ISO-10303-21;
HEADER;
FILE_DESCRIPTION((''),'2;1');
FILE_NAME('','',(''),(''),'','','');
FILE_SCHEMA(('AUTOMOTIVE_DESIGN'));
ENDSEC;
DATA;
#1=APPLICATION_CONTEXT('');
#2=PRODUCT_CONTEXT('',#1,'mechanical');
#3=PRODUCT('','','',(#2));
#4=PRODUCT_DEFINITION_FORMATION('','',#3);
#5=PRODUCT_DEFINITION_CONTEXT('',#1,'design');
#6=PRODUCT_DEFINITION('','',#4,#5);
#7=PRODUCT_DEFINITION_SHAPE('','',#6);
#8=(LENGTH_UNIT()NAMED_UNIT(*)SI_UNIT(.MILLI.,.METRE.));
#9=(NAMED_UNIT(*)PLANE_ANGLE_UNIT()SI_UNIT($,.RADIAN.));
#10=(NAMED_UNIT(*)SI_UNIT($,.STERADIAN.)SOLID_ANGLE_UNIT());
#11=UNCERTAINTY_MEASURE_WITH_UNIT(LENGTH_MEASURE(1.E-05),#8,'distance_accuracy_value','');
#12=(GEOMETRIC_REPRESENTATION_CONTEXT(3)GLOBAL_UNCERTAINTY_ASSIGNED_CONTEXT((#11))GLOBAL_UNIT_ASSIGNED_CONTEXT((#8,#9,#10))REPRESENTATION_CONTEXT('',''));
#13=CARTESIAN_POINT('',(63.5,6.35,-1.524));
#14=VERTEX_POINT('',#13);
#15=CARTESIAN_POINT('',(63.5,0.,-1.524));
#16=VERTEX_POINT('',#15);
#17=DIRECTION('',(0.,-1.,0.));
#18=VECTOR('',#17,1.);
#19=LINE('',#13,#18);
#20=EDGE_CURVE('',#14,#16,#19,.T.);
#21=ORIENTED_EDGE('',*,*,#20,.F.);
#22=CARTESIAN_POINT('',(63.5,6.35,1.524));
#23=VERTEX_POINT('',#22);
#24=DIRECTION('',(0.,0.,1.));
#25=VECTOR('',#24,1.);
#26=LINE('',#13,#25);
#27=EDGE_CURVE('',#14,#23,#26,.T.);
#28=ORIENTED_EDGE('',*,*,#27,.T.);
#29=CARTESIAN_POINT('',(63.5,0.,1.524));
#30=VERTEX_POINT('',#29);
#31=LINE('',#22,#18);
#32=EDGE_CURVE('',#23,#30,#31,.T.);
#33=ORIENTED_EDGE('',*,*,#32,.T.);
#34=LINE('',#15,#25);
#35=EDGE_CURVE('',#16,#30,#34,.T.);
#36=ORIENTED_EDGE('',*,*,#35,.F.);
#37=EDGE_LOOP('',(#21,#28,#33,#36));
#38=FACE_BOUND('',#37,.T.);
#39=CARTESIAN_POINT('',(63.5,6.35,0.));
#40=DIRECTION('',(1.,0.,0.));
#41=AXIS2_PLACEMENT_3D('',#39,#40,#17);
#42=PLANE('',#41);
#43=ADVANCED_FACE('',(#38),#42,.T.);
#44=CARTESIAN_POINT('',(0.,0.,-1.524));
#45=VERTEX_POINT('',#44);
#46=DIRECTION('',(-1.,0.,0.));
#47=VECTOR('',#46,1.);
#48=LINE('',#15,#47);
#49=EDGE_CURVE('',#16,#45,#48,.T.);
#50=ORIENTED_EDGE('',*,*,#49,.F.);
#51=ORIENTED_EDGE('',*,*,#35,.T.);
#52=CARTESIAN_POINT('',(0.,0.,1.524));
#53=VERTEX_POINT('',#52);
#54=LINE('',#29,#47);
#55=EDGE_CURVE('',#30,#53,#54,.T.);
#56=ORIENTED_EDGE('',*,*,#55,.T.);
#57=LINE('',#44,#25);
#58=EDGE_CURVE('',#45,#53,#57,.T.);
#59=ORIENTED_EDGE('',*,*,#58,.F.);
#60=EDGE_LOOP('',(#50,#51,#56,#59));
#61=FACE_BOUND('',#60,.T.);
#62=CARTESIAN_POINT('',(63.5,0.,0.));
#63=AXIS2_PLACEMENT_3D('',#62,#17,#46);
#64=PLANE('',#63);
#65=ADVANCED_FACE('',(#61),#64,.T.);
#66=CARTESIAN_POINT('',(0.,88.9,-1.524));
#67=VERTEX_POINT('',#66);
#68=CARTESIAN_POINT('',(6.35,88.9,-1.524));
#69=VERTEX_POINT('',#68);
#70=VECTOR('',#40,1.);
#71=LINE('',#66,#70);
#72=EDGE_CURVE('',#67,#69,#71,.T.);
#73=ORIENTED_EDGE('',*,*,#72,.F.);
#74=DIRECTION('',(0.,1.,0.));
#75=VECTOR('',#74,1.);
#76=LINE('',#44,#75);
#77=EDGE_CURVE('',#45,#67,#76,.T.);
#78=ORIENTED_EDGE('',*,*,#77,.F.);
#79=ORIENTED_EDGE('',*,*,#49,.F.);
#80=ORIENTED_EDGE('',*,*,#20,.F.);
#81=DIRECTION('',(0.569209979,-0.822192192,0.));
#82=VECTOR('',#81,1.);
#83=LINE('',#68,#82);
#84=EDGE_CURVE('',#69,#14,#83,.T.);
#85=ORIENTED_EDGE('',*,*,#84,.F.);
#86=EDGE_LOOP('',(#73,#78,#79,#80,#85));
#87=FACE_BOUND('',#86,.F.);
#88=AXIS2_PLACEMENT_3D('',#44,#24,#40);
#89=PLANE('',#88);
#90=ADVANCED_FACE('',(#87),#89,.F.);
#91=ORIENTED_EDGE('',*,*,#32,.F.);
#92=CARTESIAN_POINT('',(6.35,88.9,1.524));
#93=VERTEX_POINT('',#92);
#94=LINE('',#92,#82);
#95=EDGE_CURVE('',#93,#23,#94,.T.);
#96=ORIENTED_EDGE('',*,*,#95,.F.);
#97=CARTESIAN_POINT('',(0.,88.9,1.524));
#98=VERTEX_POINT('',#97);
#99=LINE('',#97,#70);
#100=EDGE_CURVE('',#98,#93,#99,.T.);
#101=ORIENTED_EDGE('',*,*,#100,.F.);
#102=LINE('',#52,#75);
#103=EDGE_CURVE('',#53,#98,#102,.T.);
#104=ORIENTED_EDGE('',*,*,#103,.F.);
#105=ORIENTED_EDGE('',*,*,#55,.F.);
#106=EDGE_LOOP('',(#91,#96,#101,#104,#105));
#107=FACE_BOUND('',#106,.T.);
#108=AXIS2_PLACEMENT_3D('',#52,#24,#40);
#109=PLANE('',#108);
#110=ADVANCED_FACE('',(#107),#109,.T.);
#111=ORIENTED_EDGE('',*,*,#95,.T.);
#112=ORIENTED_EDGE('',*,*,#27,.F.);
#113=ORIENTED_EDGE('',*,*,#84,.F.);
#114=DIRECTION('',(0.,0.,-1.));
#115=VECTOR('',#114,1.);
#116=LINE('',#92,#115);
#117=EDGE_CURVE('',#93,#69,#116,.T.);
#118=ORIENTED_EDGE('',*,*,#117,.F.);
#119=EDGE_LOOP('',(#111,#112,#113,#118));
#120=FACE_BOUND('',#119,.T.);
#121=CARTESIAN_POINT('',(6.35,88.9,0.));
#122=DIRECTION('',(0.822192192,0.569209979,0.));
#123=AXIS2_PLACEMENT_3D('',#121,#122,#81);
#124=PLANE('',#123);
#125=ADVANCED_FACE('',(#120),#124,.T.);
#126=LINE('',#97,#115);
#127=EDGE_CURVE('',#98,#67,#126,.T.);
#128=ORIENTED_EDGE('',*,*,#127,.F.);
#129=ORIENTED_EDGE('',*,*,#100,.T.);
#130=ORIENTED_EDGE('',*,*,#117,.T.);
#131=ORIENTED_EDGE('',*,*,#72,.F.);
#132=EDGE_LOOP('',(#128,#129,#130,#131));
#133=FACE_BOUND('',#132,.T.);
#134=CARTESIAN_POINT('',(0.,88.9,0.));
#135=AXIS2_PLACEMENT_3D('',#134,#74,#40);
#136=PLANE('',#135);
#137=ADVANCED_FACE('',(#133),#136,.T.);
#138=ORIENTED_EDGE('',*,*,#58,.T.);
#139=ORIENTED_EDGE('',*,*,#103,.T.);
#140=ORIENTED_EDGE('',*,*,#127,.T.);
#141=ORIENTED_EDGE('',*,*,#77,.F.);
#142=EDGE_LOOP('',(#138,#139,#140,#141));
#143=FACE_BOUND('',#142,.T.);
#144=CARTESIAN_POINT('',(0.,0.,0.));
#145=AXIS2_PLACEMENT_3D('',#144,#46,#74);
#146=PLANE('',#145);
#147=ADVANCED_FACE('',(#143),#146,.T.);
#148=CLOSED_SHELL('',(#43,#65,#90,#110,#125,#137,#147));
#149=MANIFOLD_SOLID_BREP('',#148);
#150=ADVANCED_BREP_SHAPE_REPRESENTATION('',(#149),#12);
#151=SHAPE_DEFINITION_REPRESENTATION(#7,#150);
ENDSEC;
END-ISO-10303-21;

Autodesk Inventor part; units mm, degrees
ref_plane "YZ Plane" through (0, 0, 0) normal (1, 0, 0) x (0, 1, 0)
ref_plane "XZ Plane" through (0, 0, 0) normal (0, 1, 0) x (-1, 0, 0)
ref_plane "XY Plane" through (0, 0, 0) normal (0, 0, 1) x (1, 0, 0)
sketch "Sketch1" plane through (0, 0, 0) normal (0, 0, 1) x (1, 0, 0)
  line L0 (0, 0) -> (0, 88.9)
  line L1 (0, 88.9) -> (6.35, 88.9)
  line L2 (6.35, 88.9) -> (63.5, 6.35)
  line L3 (63.5, 6.35) -> (63.5, 0)
  line L4 (63.5, 0) -> (0, 0)
  dimension "d0" = 88.9
  dimension "d1" = 63.5
  dimension "d2" = 6.35
extrude "Extrusion1" add sketch "Sketch1" along normal mid plane 3.048
properties part number "A1-18002-100-52 Tube stop" material "Steel, Mild"
